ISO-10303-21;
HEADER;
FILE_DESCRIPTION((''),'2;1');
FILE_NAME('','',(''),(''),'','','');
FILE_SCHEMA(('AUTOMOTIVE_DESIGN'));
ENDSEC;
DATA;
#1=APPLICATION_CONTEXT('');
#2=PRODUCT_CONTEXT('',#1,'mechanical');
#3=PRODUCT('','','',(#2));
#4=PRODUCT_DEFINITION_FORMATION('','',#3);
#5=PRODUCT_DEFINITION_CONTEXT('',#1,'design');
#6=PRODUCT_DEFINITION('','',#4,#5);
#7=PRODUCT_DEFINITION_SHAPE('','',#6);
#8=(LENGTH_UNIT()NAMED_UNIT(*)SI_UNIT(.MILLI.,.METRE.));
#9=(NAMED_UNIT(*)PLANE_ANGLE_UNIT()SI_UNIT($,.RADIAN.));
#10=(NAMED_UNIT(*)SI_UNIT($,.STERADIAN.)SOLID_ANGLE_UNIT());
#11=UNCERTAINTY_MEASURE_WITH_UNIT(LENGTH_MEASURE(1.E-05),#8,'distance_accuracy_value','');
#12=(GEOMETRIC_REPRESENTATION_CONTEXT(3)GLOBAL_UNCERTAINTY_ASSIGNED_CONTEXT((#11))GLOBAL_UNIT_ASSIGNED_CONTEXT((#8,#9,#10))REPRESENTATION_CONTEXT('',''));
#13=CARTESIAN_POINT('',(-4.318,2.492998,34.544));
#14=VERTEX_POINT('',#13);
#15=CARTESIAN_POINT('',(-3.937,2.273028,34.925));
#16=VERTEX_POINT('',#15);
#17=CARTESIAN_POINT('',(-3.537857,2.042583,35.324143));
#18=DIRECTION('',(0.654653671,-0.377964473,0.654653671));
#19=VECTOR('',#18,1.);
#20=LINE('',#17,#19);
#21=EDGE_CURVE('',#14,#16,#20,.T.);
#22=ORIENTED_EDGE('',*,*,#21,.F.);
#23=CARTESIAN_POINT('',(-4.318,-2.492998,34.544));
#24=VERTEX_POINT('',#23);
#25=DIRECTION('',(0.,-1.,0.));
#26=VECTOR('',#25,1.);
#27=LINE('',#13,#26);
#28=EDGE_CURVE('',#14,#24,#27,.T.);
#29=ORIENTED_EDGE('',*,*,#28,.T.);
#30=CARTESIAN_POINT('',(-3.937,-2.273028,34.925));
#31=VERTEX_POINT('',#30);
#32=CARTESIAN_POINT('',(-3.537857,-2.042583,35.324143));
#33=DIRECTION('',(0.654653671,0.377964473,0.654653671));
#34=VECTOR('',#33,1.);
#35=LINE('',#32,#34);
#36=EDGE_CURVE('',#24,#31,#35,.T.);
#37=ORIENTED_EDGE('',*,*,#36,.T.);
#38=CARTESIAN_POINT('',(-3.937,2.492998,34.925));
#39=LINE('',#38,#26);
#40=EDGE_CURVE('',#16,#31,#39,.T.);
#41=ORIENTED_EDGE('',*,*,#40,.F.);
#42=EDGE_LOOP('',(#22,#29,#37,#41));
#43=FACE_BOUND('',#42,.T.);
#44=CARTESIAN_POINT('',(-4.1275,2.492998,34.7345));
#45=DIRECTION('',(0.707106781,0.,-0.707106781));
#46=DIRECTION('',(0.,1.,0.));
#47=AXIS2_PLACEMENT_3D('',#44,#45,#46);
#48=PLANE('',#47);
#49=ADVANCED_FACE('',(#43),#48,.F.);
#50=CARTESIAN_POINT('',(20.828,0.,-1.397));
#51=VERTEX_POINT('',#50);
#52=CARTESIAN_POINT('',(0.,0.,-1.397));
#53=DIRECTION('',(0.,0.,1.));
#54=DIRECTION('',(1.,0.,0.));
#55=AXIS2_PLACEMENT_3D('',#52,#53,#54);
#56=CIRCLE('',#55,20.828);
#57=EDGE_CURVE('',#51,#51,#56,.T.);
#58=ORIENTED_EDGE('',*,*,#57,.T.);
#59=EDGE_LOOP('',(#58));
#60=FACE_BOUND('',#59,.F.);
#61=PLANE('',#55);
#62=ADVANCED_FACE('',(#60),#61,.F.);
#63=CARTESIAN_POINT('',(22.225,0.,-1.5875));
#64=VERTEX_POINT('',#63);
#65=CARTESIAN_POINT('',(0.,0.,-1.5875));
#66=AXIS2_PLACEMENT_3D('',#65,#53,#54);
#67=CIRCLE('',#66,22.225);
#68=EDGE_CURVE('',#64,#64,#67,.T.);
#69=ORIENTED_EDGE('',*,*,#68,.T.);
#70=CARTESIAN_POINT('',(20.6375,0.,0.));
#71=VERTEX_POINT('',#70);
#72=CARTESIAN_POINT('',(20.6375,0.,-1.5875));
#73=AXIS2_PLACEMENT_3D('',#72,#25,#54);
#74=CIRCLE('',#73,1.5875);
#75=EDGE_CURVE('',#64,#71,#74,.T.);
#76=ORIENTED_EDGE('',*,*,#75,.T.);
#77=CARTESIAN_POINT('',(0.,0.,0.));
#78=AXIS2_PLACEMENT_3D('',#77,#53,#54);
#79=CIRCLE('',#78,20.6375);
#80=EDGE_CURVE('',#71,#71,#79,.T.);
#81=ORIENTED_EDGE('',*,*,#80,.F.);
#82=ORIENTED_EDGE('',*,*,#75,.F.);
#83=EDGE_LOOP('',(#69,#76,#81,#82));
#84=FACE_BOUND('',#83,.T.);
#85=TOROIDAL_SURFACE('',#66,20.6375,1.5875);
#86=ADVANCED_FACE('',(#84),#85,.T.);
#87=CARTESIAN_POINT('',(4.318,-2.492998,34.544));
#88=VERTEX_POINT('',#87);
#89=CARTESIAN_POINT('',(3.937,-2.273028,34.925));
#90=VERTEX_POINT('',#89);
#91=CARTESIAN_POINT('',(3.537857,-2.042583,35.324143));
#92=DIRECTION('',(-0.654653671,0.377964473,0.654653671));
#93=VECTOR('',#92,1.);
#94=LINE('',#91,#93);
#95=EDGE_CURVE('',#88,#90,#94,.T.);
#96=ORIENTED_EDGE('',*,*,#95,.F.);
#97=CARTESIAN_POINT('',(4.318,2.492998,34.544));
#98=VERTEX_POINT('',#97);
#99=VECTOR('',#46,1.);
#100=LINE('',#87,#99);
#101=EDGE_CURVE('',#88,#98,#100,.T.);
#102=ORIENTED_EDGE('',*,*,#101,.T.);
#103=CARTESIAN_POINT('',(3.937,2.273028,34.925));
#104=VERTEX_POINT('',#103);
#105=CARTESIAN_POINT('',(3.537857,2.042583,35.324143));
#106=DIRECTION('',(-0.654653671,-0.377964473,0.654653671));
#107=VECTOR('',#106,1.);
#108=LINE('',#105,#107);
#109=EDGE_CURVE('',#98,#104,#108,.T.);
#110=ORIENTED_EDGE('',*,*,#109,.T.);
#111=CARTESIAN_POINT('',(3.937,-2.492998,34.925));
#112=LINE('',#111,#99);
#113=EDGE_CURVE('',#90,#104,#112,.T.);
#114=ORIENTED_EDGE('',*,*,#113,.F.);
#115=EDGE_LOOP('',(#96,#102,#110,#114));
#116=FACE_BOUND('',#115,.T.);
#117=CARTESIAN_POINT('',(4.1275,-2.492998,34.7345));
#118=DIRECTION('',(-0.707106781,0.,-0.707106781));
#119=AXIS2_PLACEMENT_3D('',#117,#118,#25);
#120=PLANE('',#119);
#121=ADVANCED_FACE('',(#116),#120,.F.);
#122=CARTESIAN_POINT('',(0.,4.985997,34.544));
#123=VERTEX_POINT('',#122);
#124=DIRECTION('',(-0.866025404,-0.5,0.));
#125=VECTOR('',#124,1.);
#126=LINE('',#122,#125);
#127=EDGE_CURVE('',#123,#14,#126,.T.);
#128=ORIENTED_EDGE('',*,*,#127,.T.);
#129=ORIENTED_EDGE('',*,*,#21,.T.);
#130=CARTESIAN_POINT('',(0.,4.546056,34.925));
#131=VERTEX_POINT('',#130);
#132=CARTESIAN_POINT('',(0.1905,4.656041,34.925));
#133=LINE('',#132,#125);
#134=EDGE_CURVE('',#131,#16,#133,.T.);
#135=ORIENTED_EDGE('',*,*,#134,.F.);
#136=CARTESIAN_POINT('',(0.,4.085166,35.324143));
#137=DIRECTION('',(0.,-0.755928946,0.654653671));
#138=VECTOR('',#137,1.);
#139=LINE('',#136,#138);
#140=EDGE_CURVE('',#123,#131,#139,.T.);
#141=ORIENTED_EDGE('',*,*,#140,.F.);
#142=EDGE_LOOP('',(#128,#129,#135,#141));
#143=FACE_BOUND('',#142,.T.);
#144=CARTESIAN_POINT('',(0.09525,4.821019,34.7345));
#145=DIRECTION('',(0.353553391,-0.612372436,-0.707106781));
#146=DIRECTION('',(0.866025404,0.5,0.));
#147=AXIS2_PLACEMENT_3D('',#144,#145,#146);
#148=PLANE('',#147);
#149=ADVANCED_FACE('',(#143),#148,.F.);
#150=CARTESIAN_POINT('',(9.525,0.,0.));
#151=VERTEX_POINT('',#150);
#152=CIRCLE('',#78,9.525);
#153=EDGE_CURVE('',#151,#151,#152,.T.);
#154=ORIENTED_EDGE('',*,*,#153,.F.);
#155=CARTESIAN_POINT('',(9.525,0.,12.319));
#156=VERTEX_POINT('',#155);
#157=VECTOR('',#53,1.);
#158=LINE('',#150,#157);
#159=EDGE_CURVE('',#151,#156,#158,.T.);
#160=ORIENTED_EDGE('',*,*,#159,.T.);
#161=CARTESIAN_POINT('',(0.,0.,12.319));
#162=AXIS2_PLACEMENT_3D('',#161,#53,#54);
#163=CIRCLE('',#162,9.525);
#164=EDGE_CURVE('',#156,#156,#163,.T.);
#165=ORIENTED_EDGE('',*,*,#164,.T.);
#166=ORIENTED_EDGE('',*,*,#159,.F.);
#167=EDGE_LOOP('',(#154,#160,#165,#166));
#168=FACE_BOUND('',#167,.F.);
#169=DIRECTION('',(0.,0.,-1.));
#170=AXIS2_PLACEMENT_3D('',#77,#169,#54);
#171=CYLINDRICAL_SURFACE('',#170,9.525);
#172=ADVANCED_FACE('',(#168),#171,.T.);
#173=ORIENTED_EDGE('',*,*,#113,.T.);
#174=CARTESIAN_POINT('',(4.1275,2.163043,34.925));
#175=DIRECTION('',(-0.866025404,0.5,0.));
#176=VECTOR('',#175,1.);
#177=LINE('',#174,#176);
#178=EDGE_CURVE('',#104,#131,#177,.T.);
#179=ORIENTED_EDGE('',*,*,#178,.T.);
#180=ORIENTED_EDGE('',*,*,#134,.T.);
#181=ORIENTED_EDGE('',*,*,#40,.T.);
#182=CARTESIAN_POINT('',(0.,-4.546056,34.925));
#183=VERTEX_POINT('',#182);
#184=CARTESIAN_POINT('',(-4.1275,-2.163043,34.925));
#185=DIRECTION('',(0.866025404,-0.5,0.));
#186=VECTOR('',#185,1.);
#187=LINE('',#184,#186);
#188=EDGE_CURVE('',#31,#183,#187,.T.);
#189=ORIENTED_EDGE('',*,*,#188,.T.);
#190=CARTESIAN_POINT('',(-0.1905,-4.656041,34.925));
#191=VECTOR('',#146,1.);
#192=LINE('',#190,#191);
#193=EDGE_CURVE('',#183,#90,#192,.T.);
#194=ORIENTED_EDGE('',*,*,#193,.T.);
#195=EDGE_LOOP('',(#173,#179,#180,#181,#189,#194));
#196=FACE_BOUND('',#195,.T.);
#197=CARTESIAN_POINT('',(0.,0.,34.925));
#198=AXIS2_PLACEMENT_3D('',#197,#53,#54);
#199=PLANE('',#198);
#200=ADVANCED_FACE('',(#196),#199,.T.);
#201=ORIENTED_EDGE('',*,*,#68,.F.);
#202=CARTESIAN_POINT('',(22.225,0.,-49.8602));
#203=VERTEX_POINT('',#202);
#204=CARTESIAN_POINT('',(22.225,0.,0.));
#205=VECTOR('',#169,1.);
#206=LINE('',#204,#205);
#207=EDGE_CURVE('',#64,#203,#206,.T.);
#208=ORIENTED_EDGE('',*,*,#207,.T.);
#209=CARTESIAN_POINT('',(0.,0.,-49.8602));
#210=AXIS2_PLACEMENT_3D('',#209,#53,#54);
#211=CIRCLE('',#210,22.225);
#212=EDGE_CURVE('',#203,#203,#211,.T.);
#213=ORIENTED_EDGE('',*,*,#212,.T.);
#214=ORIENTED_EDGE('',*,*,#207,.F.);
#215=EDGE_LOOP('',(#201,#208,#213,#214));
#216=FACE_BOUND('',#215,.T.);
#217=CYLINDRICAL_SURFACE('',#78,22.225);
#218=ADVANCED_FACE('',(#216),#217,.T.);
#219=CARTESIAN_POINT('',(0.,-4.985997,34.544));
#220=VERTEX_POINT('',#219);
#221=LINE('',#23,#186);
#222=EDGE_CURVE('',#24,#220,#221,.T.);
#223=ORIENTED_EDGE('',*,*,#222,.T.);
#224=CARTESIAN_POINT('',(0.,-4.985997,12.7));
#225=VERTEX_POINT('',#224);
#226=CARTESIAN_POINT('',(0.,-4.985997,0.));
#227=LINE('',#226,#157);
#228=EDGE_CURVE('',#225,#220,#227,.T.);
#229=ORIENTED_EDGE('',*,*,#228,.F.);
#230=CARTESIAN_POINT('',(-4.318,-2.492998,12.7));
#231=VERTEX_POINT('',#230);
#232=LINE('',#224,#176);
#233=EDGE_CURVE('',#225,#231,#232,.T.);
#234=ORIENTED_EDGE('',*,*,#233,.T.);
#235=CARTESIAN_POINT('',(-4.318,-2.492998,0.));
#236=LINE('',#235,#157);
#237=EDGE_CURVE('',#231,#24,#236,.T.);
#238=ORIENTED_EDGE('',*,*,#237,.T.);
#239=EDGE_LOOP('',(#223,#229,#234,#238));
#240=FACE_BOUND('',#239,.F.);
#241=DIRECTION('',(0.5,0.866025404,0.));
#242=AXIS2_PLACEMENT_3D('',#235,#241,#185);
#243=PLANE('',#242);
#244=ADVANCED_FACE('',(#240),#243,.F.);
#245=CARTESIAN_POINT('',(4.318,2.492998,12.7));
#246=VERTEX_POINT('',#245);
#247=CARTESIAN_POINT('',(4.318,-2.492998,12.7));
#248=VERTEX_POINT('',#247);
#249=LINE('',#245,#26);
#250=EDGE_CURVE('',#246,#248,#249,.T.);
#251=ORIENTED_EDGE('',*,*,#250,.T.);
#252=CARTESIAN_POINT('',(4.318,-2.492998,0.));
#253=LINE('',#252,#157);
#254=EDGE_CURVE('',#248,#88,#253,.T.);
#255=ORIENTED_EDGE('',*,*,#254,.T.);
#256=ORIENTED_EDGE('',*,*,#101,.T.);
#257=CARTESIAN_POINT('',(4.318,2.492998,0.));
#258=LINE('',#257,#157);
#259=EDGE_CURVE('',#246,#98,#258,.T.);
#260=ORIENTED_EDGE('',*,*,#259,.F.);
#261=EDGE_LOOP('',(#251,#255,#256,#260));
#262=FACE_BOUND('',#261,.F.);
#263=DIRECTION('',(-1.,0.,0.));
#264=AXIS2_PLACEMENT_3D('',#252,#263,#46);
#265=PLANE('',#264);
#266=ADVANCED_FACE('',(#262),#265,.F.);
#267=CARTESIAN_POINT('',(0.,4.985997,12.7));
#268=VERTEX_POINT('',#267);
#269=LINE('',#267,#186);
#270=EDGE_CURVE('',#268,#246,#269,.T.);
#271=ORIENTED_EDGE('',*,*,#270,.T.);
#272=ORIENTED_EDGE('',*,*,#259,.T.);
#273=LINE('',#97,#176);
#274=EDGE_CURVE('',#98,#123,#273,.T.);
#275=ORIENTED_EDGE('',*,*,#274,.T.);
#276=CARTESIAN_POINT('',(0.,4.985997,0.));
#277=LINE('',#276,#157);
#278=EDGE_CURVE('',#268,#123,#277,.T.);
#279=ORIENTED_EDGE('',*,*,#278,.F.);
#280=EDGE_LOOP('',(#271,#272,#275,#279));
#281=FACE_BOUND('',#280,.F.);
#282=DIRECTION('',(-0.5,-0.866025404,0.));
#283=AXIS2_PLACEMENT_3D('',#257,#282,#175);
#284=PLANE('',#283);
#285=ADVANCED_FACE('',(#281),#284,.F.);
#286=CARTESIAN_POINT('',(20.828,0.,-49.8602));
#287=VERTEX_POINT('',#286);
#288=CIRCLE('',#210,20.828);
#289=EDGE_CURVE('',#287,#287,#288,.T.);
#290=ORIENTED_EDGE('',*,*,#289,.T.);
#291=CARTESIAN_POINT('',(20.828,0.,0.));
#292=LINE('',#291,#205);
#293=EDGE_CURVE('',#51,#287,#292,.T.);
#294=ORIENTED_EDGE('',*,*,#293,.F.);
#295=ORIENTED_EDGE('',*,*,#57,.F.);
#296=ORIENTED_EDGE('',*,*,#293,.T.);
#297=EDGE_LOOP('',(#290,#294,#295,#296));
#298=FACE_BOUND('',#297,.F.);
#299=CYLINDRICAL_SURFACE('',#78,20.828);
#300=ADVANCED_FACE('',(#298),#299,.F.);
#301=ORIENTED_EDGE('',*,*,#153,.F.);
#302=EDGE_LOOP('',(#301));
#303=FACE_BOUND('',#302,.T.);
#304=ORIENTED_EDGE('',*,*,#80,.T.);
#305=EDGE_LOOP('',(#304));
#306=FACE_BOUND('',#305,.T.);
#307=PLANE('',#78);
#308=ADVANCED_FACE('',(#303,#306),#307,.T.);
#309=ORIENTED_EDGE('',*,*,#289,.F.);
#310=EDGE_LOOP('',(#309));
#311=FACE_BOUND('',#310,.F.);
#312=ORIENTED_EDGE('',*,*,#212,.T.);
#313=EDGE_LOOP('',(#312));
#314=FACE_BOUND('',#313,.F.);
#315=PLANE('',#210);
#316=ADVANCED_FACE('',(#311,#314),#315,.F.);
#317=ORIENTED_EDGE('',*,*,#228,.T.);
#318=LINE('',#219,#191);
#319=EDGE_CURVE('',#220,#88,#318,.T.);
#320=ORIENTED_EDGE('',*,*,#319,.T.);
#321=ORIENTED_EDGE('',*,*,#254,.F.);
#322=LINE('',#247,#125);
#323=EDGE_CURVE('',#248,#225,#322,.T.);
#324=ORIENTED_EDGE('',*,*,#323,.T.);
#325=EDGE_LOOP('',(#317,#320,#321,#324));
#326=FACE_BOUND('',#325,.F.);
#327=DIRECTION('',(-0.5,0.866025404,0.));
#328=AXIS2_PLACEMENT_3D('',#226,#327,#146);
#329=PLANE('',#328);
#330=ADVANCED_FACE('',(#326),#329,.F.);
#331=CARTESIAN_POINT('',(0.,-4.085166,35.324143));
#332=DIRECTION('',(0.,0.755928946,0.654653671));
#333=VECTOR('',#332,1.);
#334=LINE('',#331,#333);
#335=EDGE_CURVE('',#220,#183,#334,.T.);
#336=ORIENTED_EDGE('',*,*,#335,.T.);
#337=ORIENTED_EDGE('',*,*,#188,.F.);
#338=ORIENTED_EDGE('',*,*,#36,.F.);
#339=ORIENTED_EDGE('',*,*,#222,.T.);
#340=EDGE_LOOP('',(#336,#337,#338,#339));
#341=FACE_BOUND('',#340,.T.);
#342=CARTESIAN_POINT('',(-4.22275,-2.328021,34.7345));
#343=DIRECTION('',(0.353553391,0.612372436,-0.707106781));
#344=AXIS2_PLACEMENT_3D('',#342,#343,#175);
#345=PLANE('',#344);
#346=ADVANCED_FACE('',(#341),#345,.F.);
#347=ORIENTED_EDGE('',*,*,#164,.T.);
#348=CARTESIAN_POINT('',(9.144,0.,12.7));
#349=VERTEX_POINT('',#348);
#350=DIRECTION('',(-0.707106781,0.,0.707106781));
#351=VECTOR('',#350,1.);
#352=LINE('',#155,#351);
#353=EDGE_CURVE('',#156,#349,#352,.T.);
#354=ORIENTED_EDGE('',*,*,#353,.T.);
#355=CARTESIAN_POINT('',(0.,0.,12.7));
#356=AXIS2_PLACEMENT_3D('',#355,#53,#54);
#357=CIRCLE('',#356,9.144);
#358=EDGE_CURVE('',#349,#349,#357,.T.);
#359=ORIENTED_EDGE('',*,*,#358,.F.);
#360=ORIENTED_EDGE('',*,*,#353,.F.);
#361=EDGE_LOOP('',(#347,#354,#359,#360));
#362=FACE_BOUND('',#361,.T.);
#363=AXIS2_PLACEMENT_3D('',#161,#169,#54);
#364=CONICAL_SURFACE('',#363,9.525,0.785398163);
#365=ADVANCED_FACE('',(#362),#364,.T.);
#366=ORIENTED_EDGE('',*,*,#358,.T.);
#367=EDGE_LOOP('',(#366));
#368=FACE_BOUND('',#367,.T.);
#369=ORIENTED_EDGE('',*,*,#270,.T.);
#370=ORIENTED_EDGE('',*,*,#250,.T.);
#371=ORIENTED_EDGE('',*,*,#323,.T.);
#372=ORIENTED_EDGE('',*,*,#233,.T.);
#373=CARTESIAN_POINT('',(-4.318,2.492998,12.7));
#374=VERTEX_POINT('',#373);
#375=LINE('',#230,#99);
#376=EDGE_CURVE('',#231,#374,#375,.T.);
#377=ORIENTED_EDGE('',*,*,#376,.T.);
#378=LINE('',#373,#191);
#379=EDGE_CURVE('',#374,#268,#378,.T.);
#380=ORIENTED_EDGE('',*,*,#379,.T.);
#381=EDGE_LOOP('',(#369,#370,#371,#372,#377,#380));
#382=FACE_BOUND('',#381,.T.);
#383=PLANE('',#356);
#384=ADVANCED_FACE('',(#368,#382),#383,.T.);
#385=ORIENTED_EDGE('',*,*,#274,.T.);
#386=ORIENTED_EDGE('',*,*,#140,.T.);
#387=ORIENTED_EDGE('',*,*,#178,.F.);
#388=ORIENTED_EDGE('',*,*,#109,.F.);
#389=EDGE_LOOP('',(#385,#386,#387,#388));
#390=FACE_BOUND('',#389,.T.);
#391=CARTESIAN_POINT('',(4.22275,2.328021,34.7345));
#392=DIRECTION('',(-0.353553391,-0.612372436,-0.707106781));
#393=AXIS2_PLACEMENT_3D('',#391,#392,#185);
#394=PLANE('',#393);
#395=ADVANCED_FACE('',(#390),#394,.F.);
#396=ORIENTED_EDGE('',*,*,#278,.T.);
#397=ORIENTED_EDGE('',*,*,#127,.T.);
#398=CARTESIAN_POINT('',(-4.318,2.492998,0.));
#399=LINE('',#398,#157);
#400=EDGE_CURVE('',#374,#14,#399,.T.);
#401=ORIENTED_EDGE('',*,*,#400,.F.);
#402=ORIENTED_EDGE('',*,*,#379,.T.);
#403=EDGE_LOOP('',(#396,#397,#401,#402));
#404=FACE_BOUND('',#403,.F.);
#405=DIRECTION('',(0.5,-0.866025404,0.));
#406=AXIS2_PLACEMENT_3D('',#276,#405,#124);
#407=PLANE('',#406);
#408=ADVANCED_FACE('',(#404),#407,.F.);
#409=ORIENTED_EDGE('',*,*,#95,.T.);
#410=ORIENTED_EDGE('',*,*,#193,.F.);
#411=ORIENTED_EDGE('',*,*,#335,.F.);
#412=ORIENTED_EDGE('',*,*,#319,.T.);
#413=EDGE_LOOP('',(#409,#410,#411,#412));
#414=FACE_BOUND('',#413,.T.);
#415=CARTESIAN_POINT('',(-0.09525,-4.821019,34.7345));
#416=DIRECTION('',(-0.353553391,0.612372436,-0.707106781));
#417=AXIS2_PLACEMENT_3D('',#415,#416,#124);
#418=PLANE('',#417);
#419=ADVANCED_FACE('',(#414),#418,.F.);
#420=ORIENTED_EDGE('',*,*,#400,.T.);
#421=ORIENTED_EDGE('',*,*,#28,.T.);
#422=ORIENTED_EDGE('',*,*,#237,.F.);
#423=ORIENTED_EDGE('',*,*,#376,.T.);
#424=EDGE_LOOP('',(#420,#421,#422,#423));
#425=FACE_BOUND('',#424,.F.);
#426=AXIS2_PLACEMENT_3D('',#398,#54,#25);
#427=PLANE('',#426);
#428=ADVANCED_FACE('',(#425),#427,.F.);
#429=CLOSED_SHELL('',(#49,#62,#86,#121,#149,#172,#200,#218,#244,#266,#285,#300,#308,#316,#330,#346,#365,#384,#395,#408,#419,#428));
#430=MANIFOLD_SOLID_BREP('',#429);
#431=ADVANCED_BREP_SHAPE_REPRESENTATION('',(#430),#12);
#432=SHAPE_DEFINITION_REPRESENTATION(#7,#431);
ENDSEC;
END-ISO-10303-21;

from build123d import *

# Parameters (mm, degrees)
F0_R     = 22.225
F0_R_2   = 9.525
F1_DEPTH = 49.8602
F2_T     = -1.397
F3_R     = 1.5875
F4_DEPTH = 34.925
F5_DEPTH = 12.7
F6_SIZE  = 0.381


with BuildPart() as f1:
    # F0 (on Top) → F1 (new body)
    with BuildSketch(Plane.XY):
        Circle(F0_R)
        Circle(F0_R_2, mode=Mode.SUBTRACT)
        Circle(F0_R_2)
        Polygon((-4.318, 2.4929984624), (0, 4.9859969247), (4.318, 2.4929984624), (4.318, -2.4929984624), (0, -4.9859969247), (-4.318, -2.4929984624), align=None, mode=Mode.SUBTRACT)
        Polygon((4.318, 2.4929984624), (0, 4.9859969247), (-4.318, 2.4929984624), (-4.318, -2.4929984624), (0, -4.9859969247), (4.318, -2.4929984624), align=None)
    extrude(amount=-F1_DEPTH)

    # F2
    f2_openings = [f1.faces().sort_by_distance(p)[0] for p in [
        (0, 0, -49.8602),
    ]]
    offset(amount=F2_T, openings=f2_openings)

    # F3
    f3_edges = [f1.edges().sort_by_distance(p)[0] for p in [
        (-22.225, 0, 0),
    ]]
    fillet(f3_edges, radius=F3_R)

    # F0 (on Top) → F4 (join)
    with BuildSketch(Plane.XY):
        Polygon((4.318, 2.4929984624), (0, 4.9859969247), (-4.318, 2.4929984624), (-4.318, -2.4929984624), (0, -4.9859969247), (4.318, -2.4929984624), align=None)
    extrude(amount=F4_DEPTH)

    # F0 (on Top) → F5 (join)
    with BuildSketch(Plane.XY):
        Circle(F0_R_2)
        Polygon((-4.318, 2.4929984624), (0, 4.9859969247), (4.318, 2.4929984624), (4.318, -2.4929984624), (0, -4.9859969247), (-4.318, -2.4929984624), align=None, mode=Mode.SUBTRACT)
    extrude(amount=F5_DEPTH)

    # F6
    f6_edges = [f1.edges().sort_by_distance(p)[0] for p in [
        (4.318, 0, 34.925),
        (2.159, 3.739498, 34.925),
        (-2.159, 3.739498, 34.925),
        (-4.318, 0, 34.925),
        (-2.159, -3.739498, 34.925),
        (2.159, -3.739498, 34.925),
        (-9.525, 0, 12.7),
    ]]
    chamfer(f6_edges, length=F6_SIZE)


solid = f1.part
